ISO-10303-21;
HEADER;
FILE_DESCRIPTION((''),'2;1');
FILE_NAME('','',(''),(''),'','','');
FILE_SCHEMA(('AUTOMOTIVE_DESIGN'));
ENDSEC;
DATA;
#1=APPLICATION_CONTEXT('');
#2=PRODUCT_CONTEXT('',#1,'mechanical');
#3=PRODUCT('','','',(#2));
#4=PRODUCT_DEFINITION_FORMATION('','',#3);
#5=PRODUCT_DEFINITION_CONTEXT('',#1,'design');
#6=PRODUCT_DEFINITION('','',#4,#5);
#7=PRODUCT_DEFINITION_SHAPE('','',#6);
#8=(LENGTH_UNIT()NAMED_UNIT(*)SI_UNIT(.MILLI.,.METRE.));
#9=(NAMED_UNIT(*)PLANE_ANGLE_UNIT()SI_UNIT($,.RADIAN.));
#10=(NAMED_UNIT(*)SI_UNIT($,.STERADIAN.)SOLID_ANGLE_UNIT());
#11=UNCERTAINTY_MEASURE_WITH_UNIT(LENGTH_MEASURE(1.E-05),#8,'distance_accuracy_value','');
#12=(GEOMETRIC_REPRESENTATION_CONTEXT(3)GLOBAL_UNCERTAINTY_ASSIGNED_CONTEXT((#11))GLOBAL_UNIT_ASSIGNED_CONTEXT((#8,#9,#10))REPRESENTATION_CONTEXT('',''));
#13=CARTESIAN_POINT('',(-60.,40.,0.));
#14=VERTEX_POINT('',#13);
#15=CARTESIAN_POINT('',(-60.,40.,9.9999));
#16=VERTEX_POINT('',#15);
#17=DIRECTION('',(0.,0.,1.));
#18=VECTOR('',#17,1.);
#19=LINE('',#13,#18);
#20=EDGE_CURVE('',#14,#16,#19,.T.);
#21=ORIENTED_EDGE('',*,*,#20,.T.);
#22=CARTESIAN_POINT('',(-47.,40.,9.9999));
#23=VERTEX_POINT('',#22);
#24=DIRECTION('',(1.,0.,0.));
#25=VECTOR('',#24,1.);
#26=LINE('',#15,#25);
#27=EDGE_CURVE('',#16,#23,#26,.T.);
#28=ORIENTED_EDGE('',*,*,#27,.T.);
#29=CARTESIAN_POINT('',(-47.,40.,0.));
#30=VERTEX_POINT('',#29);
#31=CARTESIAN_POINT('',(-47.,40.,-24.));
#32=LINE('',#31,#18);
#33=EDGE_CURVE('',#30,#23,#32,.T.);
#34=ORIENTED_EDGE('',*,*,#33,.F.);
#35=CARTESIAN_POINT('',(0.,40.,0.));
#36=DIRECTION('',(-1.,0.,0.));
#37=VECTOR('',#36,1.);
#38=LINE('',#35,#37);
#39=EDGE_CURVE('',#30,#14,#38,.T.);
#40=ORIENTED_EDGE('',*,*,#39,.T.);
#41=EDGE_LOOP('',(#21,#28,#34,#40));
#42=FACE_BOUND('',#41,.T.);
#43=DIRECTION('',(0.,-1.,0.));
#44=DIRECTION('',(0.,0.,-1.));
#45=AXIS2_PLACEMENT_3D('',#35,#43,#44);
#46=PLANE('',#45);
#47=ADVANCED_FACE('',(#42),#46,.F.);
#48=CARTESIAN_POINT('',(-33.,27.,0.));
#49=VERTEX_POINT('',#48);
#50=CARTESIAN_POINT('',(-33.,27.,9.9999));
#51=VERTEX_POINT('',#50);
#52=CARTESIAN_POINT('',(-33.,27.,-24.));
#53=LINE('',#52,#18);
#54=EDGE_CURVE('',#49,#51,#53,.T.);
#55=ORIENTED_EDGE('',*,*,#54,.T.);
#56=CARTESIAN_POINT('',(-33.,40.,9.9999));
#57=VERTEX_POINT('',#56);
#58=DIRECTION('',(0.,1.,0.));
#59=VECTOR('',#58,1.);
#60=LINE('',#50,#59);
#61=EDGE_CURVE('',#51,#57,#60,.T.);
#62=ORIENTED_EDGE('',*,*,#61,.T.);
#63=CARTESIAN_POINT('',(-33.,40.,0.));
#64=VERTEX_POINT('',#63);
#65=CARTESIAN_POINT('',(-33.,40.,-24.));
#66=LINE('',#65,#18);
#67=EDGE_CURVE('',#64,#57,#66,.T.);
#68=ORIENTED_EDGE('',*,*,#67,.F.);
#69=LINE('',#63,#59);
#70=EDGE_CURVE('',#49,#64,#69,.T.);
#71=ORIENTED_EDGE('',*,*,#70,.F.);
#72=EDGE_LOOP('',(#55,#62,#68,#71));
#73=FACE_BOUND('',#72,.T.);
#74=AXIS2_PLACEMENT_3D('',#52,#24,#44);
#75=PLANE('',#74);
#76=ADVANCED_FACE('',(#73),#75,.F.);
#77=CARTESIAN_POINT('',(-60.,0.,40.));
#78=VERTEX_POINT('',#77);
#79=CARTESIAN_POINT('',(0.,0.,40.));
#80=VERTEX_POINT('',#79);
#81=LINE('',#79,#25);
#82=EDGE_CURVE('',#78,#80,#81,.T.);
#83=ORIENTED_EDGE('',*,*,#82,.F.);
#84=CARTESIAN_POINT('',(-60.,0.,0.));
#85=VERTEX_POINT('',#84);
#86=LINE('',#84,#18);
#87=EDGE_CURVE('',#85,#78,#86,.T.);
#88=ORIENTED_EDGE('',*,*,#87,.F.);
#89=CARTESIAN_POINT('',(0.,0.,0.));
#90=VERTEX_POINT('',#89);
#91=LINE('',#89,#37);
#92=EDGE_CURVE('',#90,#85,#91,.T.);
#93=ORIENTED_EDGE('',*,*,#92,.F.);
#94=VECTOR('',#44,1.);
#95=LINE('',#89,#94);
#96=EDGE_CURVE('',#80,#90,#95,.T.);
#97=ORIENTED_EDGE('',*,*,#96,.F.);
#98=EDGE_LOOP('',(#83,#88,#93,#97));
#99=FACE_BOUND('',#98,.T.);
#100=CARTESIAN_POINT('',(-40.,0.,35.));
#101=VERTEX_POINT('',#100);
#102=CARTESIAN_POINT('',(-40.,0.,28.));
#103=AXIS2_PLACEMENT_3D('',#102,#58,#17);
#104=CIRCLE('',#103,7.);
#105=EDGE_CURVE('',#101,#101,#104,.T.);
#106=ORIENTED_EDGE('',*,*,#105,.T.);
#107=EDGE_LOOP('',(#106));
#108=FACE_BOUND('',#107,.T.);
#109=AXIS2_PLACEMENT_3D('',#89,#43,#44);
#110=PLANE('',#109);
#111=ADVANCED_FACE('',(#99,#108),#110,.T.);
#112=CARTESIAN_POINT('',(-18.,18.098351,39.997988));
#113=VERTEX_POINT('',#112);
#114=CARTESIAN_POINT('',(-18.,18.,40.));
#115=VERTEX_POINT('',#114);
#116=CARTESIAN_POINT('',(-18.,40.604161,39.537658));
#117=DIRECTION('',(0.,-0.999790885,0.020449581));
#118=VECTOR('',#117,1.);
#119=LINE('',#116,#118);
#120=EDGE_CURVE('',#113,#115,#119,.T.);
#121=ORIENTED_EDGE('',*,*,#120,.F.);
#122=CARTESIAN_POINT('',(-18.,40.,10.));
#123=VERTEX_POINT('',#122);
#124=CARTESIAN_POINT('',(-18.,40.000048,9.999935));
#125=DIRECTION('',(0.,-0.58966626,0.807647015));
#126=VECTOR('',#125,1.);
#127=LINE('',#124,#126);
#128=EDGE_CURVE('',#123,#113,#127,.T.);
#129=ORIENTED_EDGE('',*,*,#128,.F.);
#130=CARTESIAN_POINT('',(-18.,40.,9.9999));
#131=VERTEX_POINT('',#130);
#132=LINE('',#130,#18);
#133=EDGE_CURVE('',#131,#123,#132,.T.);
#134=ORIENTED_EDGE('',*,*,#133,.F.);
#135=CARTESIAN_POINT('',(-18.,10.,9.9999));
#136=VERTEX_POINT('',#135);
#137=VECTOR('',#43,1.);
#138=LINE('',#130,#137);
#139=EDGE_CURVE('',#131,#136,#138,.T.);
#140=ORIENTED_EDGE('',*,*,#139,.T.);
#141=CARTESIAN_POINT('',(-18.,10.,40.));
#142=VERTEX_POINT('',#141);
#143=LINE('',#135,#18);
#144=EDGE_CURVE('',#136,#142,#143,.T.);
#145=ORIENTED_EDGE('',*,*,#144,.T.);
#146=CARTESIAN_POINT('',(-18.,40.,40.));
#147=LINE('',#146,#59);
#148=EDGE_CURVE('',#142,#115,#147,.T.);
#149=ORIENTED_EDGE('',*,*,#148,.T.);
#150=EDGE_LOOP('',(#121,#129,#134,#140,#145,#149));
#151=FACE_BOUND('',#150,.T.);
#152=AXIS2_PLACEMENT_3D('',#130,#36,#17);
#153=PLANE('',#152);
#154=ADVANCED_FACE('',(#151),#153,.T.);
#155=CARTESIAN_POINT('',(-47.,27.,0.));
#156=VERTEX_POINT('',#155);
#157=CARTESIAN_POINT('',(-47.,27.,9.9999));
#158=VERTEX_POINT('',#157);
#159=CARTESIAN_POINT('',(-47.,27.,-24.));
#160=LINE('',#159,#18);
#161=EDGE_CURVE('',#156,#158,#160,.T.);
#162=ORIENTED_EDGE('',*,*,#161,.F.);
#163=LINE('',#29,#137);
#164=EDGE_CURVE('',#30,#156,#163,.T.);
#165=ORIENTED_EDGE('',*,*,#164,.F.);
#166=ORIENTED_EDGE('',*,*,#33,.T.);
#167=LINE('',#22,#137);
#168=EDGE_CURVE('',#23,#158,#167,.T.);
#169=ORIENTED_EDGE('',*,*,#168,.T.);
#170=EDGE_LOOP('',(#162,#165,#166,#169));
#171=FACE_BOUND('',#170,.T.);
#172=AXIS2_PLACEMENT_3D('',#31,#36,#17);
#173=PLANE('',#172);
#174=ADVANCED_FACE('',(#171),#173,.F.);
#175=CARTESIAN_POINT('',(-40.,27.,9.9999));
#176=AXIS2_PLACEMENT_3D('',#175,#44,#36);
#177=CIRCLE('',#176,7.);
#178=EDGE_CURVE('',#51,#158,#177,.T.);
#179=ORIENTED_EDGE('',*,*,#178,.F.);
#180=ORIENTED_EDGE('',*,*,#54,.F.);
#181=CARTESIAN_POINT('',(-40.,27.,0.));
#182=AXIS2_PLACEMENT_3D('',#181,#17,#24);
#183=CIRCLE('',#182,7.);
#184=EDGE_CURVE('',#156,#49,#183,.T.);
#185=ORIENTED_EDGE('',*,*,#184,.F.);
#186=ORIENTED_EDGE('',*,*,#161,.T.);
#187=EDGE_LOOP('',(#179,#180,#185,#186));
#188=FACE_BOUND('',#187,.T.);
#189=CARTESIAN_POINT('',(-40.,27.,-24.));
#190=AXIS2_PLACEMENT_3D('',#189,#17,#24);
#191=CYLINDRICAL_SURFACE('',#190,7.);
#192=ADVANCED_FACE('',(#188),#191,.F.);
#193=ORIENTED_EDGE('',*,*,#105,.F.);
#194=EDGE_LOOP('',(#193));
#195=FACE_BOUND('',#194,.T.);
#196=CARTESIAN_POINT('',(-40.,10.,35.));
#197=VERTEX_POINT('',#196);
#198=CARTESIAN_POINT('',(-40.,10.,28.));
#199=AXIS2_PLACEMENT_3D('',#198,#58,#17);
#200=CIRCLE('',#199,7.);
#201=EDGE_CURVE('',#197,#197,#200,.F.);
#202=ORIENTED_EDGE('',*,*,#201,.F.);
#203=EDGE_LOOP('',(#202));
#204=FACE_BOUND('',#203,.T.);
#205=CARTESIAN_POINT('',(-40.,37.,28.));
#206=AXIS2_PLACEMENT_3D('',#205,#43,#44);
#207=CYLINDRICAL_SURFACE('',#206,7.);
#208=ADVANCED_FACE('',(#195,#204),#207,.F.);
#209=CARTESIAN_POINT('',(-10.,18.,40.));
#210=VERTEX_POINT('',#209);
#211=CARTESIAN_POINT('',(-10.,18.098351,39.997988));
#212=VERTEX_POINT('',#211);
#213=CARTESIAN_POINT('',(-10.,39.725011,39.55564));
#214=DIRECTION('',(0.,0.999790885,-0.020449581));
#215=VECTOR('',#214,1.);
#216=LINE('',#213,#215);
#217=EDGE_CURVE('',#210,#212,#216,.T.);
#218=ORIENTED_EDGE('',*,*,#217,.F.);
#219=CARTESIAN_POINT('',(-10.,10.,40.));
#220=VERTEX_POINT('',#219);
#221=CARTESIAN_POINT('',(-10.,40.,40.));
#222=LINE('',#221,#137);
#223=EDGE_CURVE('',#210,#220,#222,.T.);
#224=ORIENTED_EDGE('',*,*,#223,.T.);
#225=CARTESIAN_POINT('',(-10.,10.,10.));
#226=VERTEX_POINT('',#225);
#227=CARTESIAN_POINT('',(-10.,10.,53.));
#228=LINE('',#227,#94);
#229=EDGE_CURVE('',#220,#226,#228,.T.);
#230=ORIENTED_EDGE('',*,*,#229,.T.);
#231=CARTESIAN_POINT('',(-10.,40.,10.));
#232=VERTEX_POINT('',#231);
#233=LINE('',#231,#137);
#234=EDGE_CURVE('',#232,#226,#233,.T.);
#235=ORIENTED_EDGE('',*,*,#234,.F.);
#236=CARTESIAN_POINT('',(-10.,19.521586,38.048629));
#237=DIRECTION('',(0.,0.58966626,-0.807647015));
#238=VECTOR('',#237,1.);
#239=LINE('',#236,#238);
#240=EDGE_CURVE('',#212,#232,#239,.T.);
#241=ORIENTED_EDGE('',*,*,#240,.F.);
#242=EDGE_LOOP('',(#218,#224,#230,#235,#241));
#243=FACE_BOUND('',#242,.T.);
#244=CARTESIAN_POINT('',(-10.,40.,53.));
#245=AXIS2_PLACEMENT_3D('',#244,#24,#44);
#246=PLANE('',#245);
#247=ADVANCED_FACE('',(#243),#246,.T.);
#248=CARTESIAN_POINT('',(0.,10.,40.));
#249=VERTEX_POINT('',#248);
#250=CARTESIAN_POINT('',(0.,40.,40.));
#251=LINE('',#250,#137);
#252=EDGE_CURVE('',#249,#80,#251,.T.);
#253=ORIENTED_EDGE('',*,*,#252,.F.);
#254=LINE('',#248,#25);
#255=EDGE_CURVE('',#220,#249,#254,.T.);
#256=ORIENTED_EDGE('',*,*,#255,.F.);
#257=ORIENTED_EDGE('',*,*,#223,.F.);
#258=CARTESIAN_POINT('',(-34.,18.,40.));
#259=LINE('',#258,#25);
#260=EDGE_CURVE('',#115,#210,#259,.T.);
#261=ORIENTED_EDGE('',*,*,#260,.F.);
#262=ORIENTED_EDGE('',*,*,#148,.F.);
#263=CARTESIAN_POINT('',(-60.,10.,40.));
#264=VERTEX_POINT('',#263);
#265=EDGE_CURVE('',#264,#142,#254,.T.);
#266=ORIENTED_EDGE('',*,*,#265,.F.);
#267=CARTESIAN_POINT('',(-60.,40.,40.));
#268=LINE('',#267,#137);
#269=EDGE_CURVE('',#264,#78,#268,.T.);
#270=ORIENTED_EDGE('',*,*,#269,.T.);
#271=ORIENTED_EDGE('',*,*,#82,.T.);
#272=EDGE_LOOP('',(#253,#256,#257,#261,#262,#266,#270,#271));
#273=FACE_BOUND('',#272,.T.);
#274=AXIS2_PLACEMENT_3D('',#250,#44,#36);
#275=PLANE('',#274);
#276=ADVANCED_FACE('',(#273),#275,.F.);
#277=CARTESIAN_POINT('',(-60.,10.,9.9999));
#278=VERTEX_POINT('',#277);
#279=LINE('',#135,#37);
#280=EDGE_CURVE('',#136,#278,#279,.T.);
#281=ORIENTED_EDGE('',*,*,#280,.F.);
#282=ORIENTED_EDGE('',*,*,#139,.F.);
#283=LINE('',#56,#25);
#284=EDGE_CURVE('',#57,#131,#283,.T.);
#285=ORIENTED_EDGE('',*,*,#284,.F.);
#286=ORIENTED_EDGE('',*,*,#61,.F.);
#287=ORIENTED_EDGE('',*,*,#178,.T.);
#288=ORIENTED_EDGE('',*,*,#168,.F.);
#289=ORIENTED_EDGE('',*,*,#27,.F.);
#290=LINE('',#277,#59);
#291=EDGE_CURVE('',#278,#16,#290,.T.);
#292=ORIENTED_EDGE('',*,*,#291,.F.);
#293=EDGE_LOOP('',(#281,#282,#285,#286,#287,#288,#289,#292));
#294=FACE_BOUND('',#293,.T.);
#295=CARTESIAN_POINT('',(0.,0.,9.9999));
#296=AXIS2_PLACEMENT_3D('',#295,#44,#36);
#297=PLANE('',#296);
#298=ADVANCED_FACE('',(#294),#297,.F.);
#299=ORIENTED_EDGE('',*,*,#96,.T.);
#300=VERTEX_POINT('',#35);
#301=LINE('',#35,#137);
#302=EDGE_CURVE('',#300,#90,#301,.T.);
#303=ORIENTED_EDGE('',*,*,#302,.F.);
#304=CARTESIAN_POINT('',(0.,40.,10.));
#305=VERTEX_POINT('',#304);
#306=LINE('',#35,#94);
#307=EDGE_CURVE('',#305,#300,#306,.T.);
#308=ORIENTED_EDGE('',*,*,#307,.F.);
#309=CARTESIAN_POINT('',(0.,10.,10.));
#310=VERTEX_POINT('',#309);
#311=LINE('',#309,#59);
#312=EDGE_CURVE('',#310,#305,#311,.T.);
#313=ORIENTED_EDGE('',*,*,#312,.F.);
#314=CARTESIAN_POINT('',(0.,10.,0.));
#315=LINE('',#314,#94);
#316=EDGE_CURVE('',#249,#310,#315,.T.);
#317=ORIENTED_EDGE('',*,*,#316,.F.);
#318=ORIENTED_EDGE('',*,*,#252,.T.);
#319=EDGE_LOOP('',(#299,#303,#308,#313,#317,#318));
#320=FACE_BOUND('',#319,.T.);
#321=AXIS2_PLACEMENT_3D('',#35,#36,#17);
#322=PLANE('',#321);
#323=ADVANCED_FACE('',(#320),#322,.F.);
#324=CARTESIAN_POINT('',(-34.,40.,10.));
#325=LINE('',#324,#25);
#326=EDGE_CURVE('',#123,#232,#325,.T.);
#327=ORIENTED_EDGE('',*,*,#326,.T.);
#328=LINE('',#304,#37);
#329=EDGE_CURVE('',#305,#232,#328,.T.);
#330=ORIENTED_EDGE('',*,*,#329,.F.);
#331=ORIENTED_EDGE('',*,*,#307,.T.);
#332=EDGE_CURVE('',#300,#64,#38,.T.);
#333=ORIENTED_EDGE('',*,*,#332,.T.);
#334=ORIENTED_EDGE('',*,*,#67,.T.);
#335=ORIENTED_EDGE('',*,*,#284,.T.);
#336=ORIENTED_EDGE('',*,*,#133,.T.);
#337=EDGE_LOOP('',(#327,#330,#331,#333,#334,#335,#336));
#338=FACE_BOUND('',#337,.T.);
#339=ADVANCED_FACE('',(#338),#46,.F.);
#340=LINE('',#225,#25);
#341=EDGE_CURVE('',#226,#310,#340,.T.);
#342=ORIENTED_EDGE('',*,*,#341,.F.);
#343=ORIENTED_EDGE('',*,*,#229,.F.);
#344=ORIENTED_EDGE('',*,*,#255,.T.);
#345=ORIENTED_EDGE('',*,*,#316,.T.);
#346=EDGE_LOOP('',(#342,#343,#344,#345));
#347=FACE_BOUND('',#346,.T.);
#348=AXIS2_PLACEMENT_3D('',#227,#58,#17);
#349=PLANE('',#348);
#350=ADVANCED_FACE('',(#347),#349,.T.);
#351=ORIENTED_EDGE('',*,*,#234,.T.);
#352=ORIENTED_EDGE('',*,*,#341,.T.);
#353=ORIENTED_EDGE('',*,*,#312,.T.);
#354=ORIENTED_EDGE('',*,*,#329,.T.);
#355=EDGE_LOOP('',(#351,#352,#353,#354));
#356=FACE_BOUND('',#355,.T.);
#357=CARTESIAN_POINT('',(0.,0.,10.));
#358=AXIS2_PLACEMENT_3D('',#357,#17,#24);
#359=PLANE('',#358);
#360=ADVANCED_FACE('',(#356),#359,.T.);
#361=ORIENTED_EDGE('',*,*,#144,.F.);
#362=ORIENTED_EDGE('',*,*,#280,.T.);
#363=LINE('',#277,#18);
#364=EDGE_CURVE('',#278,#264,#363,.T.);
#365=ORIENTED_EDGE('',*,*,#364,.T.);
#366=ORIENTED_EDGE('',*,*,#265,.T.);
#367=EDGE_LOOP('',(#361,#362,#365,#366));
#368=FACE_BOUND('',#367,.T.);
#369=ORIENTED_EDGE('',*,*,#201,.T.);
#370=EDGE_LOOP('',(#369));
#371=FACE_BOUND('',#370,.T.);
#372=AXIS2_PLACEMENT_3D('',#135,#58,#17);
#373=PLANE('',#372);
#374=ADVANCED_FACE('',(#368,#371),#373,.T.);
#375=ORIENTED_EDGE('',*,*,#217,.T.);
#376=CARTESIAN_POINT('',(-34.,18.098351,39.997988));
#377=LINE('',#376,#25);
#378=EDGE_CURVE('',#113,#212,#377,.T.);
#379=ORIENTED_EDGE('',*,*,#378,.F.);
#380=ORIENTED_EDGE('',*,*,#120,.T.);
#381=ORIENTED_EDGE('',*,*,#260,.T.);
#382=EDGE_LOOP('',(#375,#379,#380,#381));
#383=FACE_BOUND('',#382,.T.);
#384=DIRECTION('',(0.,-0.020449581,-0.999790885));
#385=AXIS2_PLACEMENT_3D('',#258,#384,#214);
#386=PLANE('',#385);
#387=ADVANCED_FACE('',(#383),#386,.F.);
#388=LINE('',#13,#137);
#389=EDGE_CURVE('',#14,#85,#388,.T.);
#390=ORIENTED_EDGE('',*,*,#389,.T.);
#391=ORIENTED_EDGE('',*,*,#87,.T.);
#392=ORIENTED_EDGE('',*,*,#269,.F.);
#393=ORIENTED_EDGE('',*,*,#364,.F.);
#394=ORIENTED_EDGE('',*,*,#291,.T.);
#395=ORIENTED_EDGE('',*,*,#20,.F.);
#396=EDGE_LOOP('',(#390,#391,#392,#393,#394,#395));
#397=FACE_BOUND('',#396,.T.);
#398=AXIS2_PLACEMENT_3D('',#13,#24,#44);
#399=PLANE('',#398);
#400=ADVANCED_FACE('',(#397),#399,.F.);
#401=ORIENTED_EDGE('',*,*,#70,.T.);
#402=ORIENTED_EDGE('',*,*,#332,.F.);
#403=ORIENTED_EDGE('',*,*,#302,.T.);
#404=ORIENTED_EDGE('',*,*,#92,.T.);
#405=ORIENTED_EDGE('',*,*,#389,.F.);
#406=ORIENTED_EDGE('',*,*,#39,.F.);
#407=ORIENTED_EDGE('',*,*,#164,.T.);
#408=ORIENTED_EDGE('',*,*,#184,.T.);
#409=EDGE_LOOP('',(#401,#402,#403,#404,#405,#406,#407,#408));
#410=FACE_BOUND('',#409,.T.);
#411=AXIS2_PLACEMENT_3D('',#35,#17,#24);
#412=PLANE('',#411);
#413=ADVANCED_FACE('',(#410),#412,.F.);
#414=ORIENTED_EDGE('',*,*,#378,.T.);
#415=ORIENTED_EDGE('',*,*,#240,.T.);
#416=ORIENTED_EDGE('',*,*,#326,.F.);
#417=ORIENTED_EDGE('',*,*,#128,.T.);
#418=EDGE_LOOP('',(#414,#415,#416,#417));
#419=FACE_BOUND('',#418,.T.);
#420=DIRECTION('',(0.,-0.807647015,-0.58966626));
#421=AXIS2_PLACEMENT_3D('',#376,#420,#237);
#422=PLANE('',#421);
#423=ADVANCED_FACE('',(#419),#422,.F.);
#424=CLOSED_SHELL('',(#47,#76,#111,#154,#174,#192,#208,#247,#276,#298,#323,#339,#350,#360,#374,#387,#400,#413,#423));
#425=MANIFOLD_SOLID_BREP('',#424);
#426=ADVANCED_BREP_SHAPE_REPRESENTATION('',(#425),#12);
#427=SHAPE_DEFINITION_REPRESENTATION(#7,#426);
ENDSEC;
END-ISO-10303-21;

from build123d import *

# Parameters (mm, degrees)
SKETCH_3_W               = 60
SKETCH_3_H               = 40
EXTRUDE_2_DEPTH          = 40
CUT_EXTRUDE_1_DEPTH      = 39
CUT_EXTRUDE_1_DEPTH_BACK = 0.0001
SKETCH_5_W               = 10
SKETCH_5_H               = 30
CUT_EXTRUDE_2_DEPTH      = 43
SKETCH_6_W               = 14
SKETCH_6_H               = 13
CUT_EXTRUDE_3_DEPTH      = 34
SKETCH_7_W               = 14
SKETCH_7_H               = 13
CUT_EXTRUDE_4_DEPTH      = 34
CUT_EXTRUDE_5_DEPTH      = 34
CUT_EXTRUDE_7_DEPTH      = 34
SKETCH_11_R              = 7
CUT_EXTRUDE_8_DEPTH      = 37


with BuildPart() as part:
    # 草图3 → 凸台-拉伸2 (new body)
    with BuildSketch(Plane(origin=(0, 0, 0), x_dir=(1, 0, 0), z_dir=(0, 1, 0))):
        with Locations((-30, -20)):
            Rectangle(SKETCH_3_W, SKETCH_3_H)
    extrude(amount=EXTRUDE_2_DEPTH)

    # 草图4 → 切除-拉伸1 (cut, two sides)
    with BuildSketch(Plane.XY.offset(10)) as cut_extrude_1_sk:
        Polygon((-60, 40), (-47, 40), (-47, 27), (-33, 27), (-33, 40), (-18, 40), (-18, 10), (-60, 10), align=None)
    extrude(amount=CUT_EXTRUDE_1_DEPTH, mode=Mode.SUBTRACT)
    extrude(cut_extrude_1_sk.sketch, amount=-CUT_EXTRUDE_1_DEPTH_BACK, mode=Mode.SUBTRACT)

    # 草图5 → 切除-拉伸2 (cut)
    with BuildSketch(Plane.XY.offset(10)):
        with Locations((-5, 25)):
            Rectangle(SKETCH_5_W, SKETCH_5_H)
    extrude(amount=CUT_EXTRUDE_2_DEPTH, mode=Mode.SUBTRACT)

    # 草图6 → 切除-拉伸3 (cut)
    with BuildSketch(Plane.XY.offset(10)):
        with Locations((-40, 33.5)):
            Rectangle(SKETCH_6_W, SKETCH_6_H)
    extrude(amount=CUT_EXTRUDE_3_DEPTH, mode=Mode.SUBTRACT)

    # 草图7 → 切除-拉伸4 (cut)
    with BuildSketch(Plane.XY.offset(10)):
        with Locations((-40, 33.5)):
            Rectangle(SKETCH_7_W, SKETCH_7_H)
    extrude(amount=-CUT_EXTRUDE_4_DEPTH, mode=Mode.SUBTRACT)

    # 草图8 → 切除-拉伸5 (cut)
    with BuildSketch(Plane.XY.offset(10)):
        with BuildLine():
            Line((-47, 27), (-33, 27))
            ThreePointArc((-33, 27), (-40, 20), (-47, 27))
        make_face()
    extrude(amount=-CUT_EXTRUDE_5_DEPTH, mode=Mode.SUBTRACT)

    # 草图10 → 切除-拉伸7 (cut)
    with BuildSketch(Plane(origin=(0, 0, 0), x_dir=(0, 0, -1), z_dir=(1, 0, 0))):
        Polygon((-40, 40), (-40, 18), (-39.997988347, 18.098350801), (-10, 40), align=None)
    extrude(amount=-CUT_EXTRUDE_7_DEPTH, mode=Mode.SUBTRACT)

    # 草图11 → 切除-拉伸8 (cut)
    with BuildSketch(Plane(origin=(0, 0, 0), x_dir=(1, 0, 0), z_dir=(0, 1, 0))):
        with Locations((-40, -28)):
            Circle(SKETCH_11_R)
    extrude(amount=CUT_EXTRUDE_8_DEPTH, mode=Mode.SUBTRACT)


solid = part.part
